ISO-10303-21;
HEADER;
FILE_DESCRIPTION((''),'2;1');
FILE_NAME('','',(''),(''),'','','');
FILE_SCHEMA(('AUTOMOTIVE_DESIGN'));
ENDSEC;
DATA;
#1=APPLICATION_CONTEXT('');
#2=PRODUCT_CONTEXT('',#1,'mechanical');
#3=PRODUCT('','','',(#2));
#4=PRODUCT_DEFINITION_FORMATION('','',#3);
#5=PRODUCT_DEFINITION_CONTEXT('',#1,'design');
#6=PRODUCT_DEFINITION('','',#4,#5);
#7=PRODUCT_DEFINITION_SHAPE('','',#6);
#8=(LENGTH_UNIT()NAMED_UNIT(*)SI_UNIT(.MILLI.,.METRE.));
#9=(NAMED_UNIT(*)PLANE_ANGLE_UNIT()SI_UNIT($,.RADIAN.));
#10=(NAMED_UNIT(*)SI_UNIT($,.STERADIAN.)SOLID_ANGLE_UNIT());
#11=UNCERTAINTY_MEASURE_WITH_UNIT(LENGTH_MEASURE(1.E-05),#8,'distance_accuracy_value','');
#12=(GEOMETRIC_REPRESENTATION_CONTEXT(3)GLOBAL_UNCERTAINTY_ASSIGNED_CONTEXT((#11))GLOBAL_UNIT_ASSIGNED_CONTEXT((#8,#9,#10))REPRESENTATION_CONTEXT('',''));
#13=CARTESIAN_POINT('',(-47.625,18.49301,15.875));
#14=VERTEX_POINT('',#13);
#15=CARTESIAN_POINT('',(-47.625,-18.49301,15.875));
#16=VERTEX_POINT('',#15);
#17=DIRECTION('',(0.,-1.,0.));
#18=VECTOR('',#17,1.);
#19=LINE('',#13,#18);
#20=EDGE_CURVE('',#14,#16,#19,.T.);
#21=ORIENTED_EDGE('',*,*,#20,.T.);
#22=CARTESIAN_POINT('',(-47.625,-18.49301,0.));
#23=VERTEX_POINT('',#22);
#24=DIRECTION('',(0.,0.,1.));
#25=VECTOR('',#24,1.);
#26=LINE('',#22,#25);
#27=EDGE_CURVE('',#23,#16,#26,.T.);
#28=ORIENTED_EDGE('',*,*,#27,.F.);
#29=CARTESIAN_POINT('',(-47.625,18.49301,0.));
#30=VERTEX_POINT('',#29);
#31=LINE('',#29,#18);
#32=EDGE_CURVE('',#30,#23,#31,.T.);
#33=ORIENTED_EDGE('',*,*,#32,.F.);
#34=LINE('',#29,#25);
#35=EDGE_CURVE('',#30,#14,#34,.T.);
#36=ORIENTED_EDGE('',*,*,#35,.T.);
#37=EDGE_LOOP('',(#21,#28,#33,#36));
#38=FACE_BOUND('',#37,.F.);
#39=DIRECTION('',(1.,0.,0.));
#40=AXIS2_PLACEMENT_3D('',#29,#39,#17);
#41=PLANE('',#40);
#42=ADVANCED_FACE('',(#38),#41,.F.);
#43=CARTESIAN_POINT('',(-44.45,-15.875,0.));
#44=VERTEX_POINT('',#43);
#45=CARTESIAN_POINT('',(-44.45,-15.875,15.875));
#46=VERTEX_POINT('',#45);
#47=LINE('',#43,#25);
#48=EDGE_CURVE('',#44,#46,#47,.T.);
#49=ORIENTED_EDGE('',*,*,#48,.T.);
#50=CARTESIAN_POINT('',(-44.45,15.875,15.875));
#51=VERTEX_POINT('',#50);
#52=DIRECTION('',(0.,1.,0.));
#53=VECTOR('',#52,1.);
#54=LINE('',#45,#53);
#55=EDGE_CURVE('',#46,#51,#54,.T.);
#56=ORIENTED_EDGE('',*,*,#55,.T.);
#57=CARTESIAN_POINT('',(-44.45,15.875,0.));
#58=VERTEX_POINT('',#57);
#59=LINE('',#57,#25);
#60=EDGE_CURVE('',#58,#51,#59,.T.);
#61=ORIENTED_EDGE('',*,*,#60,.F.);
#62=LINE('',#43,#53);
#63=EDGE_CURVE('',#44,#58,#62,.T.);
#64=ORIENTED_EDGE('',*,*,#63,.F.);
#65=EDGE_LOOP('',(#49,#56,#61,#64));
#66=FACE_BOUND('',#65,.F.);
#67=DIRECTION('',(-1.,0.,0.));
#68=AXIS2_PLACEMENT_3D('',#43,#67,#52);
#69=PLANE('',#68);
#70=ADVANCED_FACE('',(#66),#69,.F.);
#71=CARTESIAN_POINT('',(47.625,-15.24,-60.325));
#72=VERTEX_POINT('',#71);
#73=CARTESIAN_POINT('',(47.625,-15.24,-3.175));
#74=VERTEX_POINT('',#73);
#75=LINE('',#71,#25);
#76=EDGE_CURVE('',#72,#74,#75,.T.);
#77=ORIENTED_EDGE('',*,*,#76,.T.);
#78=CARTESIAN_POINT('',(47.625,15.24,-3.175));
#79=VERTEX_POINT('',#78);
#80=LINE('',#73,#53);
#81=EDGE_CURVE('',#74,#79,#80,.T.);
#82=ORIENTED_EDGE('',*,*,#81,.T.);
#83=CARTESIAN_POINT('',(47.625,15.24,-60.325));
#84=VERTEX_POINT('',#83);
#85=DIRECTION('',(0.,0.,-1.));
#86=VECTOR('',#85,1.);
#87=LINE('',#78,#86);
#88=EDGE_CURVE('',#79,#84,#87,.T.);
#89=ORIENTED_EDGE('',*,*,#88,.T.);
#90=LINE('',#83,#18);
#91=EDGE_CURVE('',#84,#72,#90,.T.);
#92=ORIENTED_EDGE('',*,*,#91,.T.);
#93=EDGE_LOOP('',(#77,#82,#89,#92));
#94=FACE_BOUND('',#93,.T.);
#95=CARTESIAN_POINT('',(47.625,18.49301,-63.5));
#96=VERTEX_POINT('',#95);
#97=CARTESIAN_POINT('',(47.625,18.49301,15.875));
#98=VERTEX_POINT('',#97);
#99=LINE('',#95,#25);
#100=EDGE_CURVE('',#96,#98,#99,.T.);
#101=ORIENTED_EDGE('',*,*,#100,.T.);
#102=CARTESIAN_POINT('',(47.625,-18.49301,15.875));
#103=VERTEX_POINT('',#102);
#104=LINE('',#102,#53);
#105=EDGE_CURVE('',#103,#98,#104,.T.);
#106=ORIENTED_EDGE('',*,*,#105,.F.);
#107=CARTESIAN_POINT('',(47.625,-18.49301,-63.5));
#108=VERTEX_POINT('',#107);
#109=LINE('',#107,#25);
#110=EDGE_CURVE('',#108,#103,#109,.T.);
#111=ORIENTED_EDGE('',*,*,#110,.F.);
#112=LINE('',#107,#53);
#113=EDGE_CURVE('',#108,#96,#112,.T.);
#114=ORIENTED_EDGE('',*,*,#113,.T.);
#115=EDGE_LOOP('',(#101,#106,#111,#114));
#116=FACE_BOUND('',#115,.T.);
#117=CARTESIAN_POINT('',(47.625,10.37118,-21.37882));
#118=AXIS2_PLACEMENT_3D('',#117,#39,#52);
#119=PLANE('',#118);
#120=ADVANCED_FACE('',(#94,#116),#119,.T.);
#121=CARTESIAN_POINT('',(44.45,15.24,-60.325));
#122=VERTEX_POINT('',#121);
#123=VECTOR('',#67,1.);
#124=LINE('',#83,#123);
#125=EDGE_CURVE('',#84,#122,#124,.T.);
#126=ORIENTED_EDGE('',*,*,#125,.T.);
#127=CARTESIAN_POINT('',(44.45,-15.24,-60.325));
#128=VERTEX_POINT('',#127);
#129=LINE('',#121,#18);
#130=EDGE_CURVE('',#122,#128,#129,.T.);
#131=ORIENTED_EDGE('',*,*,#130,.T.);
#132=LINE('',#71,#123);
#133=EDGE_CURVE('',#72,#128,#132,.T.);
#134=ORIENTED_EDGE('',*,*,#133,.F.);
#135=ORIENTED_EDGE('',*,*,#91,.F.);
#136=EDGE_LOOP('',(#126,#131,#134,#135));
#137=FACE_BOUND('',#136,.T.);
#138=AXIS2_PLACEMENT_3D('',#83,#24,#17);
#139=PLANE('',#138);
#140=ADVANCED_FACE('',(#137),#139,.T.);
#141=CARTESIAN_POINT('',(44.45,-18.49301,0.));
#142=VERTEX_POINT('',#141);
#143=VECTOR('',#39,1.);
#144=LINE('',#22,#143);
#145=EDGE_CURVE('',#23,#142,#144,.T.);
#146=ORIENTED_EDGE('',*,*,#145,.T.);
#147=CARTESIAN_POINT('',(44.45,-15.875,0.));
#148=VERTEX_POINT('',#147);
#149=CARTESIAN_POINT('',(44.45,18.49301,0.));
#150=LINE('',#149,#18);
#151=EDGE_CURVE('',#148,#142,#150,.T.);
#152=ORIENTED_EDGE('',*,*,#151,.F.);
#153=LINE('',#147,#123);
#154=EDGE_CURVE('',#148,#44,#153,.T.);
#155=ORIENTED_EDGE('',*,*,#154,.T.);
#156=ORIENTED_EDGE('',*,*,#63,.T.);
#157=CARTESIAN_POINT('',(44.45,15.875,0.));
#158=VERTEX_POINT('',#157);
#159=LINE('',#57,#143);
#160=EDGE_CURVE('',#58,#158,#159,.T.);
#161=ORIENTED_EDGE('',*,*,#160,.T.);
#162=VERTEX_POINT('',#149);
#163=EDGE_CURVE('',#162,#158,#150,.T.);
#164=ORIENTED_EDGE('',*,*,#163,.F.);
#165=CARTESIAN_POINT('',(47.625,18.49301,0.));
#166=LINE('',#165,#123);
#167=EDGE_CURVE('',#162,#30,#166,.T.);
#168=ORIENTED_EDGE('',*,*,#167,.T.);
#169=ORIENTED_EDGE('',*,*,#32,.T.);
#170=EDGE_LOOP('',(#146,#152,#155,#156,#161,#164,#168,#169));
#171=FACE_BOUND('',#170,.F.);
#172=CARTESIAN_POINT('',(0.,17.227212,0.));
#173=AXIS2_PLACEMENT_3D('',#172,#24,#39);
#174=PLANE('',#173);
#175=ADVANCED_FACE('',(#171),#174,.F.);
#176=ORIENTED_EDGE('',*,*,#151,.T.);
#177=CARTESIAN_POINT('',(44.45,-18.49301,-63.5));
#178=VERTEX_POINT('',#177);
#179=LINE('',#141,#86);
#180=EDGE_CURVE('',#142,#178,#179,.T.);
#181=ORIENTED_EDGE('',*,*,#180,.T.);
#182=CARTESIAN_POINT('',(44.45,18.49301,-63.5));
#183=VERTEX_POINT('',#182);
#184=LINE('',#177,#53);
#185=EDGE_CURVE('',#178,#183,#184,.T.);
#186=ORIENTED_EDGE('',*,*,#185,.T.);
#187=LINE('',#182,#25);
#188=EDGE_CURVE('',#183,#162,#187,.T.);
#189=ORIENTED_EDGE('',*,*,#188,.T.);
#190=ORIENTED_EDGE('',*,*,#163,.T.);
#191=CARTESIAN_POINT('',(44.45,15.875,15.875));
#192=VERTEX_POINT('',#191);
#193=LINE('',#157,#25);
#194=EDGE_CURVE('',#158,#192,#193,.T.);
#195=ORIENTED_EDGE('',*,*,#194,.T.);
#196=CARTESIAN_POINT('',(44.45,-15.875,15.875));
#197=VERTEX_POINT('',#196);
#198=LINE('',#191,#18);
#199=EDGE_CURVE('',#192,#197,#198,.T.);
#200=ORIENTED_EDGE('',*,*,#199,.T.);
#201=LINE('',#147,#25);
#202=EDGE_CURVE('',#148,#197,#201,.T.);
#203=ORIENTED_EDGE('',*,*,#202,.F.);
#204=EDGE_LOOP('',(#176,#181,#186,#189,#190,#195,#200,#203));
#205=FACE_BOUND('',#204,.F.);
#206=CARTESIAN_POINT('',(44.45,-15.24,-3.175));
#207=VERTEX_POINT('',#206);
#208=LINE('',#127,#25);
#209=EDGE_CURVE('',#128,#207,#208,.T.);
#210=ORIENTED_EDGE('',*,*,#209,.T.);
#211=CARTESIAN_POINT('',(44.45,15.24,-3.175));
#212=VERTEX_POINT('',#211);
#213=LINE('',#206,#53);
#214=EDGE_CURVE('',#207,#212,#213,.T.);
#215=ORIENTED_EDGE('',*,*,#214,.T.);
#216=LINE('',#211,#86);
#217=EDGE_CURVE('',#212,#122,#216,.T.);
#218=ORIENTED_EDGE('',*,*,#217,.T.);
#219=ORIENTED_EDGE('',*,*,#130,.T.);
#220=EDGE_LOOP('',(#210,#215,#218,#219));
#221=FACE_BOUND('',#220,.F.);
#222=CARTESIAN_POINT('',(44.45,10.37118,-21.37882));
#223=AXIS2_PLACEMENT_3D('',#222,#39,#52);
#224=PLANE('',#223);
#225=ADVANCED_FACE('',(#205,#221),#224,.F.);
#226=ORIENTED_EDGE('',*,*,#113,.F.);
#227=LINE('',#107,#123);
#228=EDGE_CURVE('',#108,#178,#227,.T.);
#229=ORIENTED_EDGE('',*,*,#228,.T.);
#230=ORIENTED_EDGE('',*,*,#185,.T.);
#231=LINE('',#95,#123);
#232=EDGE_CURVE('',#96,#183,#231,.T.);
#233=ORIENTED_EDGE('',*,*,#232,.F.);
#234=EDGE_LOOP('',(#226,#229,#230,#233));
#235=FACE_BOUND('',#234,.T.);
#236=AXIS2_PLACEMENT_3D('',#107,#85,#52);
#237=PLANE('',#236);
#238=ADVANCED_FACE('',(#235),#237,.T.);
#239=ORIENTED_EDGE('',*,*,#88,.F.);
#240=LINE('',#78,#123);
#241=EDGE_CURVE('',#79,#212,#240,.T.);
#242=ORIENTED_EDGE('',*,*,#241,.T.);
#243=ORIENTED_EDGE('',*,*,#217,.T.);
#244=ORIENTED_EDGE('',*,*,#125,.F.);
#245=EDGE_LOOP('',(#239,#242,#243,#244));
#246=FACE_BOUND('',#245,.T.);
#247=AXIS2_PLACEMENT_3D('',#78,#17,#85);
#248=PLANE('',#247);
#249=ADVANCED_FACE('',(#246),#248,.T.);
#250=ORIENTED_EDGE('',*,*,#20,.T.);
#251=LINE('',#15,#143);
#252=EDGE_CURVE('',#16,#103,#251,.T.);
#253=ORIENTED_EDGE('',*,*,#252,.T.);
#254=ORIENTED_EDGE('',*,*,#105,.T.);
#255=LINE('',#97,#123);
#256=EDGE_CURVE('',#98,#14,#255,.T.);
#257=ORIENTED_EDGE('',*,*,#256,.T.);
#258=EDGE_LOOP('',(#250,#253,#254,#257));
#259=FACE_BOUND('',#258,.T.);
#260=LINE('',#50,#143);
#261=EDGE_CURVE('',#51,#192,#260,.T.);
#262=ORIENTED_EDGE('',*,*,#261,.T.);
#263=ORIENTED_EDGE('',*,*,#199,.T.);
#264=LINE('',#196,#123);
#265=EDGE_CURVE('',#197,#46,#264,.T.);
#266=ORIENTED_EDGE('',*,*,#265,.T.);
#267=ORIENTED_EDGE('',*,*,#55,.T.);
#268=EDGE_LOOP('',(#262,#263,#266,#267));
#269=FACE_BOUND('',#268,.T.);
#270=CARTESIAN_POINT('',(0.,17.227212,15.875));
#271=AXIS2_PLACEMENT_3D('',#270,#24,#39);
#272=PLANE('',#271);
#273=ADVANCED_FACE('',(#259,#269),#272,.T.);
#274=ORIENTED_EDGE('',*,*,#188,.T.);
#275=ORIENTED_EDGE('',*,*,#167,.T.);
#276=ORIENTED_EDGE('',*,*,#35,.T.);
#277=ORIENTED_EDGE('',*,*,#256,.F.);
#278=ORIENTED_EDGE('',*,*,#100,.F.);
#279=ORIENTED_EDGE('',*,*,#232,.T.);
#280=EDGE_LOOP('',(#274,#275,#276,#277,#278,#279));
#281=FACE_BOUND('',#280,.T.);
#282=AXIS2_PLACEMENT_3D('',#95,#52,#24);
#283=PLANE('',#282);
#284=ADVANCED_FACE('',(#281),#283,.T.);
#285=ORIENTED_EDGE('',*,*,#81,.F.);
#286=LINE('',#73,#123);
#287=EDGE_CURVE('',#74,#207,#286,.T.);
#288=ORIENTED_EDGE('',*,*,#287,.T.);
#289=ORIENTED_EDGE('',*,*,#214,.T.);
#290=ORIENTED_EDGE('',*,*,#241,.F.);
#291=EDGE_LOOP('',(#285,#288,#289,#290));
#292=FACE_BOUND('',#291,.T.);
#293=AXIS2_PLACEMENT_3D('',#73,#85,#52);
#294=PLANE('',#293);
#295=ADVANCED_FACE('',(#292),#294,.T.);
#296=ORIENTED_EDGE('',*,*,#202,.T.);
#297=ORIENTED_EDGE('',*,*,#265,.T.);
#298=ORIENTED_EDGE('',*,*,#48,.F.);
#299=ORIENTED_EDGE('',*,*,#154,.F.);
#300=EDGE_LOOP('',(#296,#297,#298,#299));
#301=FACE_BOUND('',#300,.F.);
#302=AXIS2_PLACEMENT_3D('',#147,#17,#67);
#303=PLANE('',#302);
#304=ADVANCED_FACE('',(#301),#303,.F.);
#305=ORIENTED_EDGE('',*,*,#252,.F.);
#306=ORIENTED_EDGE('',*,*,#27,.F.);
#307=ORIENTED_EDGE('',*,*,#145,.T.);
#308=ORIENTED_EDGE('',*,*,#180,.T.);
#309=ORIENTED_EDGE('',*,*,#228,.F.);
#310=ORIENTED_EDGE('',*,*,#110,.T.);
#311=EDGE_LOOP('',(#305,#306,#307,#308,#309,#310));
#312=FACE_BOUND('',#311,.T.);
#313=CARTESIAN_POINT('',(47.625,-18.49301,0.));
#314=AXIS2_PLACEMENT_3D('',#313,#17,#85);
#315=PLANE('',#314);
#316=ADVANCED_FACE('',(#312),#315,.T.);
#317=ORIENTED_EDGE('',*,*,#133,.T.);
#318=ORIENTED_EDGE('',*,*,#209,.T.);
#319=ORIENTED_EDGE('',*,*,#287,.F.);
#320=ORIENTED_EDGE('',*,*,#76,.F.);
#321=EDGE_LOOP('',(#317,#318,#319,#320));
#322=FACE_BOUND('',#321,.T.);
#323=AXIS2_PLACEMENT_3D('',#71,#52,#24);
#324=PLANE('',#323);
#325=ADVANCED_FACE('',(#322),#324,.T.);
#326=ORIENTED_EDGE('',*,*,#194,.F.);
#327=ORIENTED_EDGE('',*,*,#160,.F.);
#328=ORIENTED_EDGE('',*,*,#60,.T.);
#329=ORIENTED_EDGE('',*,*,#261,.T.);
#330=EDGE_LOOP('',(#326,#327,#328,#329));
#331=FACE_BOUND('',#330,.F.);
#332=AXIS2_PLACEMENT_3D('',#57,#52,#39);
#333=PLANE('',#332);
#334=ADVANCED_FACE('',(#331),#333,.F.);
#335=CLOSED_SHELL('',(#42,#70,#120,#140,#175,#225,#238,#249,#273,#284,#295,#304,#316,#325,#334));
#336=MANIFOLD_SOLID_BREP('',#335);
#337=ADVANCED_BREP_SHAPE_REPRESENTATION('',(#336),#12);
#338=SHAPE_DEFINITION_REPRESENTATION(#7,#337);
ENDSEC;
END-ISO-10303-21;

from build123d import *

# Parameters (mm, degrees)
F1_DEPTH = 15.875
F3_DEPTH = 3.175


with BuildPart() as f1:
    # F0 (on Top) → F1 (new body)
    with BuildSketch(Plane.XY):
        Polygon((-47.625, 18.49301), (-44.45, 15.875), (0, 15.875), (44.45, 15.875), (47.625, 18.49301), align=None)
        Polygon((-44.45, 0), (-44.45, 15.875), (-47.625, 18.49301), (-47.625, -18.49301), (-44.45, -15.875), align=None)
        Polygon((47.625, 18.49301), (44.45, 15.875), (44.45, 0), (44.45, -15.875), (47.625, -18.49301), align=None)
        Polygon((0, -15.875), (-44.45, -15.875), (-47.625, -18.49301), (47.625, -18.49301), (44.45, -15.875), align=None)
    extrude(amount=F1_DEPTH)

    # F2 (on face) → F3 (join)
    with BuildSketch(Plane.YZ.offset(47.625)):
        Polygon((18.49301, 0), (-18.49301, 0), (-15.24, -3.175), (15.24, -3.175), (15.24, -60.325), (18.49301, -63.5), align=None)
        Polygon((-15.24, -3.175), (-18.49301, 0), (-18.49301, -63.5), (-15.24, -60.325), align=None)
        Polygon((-15.24, -60.325), (-18.49301, -63.5), (18.49301, -63.5), (15.24, -60.325), align=None)
    extrude(amount=-F3_DEPTH)


solid = f1.part
